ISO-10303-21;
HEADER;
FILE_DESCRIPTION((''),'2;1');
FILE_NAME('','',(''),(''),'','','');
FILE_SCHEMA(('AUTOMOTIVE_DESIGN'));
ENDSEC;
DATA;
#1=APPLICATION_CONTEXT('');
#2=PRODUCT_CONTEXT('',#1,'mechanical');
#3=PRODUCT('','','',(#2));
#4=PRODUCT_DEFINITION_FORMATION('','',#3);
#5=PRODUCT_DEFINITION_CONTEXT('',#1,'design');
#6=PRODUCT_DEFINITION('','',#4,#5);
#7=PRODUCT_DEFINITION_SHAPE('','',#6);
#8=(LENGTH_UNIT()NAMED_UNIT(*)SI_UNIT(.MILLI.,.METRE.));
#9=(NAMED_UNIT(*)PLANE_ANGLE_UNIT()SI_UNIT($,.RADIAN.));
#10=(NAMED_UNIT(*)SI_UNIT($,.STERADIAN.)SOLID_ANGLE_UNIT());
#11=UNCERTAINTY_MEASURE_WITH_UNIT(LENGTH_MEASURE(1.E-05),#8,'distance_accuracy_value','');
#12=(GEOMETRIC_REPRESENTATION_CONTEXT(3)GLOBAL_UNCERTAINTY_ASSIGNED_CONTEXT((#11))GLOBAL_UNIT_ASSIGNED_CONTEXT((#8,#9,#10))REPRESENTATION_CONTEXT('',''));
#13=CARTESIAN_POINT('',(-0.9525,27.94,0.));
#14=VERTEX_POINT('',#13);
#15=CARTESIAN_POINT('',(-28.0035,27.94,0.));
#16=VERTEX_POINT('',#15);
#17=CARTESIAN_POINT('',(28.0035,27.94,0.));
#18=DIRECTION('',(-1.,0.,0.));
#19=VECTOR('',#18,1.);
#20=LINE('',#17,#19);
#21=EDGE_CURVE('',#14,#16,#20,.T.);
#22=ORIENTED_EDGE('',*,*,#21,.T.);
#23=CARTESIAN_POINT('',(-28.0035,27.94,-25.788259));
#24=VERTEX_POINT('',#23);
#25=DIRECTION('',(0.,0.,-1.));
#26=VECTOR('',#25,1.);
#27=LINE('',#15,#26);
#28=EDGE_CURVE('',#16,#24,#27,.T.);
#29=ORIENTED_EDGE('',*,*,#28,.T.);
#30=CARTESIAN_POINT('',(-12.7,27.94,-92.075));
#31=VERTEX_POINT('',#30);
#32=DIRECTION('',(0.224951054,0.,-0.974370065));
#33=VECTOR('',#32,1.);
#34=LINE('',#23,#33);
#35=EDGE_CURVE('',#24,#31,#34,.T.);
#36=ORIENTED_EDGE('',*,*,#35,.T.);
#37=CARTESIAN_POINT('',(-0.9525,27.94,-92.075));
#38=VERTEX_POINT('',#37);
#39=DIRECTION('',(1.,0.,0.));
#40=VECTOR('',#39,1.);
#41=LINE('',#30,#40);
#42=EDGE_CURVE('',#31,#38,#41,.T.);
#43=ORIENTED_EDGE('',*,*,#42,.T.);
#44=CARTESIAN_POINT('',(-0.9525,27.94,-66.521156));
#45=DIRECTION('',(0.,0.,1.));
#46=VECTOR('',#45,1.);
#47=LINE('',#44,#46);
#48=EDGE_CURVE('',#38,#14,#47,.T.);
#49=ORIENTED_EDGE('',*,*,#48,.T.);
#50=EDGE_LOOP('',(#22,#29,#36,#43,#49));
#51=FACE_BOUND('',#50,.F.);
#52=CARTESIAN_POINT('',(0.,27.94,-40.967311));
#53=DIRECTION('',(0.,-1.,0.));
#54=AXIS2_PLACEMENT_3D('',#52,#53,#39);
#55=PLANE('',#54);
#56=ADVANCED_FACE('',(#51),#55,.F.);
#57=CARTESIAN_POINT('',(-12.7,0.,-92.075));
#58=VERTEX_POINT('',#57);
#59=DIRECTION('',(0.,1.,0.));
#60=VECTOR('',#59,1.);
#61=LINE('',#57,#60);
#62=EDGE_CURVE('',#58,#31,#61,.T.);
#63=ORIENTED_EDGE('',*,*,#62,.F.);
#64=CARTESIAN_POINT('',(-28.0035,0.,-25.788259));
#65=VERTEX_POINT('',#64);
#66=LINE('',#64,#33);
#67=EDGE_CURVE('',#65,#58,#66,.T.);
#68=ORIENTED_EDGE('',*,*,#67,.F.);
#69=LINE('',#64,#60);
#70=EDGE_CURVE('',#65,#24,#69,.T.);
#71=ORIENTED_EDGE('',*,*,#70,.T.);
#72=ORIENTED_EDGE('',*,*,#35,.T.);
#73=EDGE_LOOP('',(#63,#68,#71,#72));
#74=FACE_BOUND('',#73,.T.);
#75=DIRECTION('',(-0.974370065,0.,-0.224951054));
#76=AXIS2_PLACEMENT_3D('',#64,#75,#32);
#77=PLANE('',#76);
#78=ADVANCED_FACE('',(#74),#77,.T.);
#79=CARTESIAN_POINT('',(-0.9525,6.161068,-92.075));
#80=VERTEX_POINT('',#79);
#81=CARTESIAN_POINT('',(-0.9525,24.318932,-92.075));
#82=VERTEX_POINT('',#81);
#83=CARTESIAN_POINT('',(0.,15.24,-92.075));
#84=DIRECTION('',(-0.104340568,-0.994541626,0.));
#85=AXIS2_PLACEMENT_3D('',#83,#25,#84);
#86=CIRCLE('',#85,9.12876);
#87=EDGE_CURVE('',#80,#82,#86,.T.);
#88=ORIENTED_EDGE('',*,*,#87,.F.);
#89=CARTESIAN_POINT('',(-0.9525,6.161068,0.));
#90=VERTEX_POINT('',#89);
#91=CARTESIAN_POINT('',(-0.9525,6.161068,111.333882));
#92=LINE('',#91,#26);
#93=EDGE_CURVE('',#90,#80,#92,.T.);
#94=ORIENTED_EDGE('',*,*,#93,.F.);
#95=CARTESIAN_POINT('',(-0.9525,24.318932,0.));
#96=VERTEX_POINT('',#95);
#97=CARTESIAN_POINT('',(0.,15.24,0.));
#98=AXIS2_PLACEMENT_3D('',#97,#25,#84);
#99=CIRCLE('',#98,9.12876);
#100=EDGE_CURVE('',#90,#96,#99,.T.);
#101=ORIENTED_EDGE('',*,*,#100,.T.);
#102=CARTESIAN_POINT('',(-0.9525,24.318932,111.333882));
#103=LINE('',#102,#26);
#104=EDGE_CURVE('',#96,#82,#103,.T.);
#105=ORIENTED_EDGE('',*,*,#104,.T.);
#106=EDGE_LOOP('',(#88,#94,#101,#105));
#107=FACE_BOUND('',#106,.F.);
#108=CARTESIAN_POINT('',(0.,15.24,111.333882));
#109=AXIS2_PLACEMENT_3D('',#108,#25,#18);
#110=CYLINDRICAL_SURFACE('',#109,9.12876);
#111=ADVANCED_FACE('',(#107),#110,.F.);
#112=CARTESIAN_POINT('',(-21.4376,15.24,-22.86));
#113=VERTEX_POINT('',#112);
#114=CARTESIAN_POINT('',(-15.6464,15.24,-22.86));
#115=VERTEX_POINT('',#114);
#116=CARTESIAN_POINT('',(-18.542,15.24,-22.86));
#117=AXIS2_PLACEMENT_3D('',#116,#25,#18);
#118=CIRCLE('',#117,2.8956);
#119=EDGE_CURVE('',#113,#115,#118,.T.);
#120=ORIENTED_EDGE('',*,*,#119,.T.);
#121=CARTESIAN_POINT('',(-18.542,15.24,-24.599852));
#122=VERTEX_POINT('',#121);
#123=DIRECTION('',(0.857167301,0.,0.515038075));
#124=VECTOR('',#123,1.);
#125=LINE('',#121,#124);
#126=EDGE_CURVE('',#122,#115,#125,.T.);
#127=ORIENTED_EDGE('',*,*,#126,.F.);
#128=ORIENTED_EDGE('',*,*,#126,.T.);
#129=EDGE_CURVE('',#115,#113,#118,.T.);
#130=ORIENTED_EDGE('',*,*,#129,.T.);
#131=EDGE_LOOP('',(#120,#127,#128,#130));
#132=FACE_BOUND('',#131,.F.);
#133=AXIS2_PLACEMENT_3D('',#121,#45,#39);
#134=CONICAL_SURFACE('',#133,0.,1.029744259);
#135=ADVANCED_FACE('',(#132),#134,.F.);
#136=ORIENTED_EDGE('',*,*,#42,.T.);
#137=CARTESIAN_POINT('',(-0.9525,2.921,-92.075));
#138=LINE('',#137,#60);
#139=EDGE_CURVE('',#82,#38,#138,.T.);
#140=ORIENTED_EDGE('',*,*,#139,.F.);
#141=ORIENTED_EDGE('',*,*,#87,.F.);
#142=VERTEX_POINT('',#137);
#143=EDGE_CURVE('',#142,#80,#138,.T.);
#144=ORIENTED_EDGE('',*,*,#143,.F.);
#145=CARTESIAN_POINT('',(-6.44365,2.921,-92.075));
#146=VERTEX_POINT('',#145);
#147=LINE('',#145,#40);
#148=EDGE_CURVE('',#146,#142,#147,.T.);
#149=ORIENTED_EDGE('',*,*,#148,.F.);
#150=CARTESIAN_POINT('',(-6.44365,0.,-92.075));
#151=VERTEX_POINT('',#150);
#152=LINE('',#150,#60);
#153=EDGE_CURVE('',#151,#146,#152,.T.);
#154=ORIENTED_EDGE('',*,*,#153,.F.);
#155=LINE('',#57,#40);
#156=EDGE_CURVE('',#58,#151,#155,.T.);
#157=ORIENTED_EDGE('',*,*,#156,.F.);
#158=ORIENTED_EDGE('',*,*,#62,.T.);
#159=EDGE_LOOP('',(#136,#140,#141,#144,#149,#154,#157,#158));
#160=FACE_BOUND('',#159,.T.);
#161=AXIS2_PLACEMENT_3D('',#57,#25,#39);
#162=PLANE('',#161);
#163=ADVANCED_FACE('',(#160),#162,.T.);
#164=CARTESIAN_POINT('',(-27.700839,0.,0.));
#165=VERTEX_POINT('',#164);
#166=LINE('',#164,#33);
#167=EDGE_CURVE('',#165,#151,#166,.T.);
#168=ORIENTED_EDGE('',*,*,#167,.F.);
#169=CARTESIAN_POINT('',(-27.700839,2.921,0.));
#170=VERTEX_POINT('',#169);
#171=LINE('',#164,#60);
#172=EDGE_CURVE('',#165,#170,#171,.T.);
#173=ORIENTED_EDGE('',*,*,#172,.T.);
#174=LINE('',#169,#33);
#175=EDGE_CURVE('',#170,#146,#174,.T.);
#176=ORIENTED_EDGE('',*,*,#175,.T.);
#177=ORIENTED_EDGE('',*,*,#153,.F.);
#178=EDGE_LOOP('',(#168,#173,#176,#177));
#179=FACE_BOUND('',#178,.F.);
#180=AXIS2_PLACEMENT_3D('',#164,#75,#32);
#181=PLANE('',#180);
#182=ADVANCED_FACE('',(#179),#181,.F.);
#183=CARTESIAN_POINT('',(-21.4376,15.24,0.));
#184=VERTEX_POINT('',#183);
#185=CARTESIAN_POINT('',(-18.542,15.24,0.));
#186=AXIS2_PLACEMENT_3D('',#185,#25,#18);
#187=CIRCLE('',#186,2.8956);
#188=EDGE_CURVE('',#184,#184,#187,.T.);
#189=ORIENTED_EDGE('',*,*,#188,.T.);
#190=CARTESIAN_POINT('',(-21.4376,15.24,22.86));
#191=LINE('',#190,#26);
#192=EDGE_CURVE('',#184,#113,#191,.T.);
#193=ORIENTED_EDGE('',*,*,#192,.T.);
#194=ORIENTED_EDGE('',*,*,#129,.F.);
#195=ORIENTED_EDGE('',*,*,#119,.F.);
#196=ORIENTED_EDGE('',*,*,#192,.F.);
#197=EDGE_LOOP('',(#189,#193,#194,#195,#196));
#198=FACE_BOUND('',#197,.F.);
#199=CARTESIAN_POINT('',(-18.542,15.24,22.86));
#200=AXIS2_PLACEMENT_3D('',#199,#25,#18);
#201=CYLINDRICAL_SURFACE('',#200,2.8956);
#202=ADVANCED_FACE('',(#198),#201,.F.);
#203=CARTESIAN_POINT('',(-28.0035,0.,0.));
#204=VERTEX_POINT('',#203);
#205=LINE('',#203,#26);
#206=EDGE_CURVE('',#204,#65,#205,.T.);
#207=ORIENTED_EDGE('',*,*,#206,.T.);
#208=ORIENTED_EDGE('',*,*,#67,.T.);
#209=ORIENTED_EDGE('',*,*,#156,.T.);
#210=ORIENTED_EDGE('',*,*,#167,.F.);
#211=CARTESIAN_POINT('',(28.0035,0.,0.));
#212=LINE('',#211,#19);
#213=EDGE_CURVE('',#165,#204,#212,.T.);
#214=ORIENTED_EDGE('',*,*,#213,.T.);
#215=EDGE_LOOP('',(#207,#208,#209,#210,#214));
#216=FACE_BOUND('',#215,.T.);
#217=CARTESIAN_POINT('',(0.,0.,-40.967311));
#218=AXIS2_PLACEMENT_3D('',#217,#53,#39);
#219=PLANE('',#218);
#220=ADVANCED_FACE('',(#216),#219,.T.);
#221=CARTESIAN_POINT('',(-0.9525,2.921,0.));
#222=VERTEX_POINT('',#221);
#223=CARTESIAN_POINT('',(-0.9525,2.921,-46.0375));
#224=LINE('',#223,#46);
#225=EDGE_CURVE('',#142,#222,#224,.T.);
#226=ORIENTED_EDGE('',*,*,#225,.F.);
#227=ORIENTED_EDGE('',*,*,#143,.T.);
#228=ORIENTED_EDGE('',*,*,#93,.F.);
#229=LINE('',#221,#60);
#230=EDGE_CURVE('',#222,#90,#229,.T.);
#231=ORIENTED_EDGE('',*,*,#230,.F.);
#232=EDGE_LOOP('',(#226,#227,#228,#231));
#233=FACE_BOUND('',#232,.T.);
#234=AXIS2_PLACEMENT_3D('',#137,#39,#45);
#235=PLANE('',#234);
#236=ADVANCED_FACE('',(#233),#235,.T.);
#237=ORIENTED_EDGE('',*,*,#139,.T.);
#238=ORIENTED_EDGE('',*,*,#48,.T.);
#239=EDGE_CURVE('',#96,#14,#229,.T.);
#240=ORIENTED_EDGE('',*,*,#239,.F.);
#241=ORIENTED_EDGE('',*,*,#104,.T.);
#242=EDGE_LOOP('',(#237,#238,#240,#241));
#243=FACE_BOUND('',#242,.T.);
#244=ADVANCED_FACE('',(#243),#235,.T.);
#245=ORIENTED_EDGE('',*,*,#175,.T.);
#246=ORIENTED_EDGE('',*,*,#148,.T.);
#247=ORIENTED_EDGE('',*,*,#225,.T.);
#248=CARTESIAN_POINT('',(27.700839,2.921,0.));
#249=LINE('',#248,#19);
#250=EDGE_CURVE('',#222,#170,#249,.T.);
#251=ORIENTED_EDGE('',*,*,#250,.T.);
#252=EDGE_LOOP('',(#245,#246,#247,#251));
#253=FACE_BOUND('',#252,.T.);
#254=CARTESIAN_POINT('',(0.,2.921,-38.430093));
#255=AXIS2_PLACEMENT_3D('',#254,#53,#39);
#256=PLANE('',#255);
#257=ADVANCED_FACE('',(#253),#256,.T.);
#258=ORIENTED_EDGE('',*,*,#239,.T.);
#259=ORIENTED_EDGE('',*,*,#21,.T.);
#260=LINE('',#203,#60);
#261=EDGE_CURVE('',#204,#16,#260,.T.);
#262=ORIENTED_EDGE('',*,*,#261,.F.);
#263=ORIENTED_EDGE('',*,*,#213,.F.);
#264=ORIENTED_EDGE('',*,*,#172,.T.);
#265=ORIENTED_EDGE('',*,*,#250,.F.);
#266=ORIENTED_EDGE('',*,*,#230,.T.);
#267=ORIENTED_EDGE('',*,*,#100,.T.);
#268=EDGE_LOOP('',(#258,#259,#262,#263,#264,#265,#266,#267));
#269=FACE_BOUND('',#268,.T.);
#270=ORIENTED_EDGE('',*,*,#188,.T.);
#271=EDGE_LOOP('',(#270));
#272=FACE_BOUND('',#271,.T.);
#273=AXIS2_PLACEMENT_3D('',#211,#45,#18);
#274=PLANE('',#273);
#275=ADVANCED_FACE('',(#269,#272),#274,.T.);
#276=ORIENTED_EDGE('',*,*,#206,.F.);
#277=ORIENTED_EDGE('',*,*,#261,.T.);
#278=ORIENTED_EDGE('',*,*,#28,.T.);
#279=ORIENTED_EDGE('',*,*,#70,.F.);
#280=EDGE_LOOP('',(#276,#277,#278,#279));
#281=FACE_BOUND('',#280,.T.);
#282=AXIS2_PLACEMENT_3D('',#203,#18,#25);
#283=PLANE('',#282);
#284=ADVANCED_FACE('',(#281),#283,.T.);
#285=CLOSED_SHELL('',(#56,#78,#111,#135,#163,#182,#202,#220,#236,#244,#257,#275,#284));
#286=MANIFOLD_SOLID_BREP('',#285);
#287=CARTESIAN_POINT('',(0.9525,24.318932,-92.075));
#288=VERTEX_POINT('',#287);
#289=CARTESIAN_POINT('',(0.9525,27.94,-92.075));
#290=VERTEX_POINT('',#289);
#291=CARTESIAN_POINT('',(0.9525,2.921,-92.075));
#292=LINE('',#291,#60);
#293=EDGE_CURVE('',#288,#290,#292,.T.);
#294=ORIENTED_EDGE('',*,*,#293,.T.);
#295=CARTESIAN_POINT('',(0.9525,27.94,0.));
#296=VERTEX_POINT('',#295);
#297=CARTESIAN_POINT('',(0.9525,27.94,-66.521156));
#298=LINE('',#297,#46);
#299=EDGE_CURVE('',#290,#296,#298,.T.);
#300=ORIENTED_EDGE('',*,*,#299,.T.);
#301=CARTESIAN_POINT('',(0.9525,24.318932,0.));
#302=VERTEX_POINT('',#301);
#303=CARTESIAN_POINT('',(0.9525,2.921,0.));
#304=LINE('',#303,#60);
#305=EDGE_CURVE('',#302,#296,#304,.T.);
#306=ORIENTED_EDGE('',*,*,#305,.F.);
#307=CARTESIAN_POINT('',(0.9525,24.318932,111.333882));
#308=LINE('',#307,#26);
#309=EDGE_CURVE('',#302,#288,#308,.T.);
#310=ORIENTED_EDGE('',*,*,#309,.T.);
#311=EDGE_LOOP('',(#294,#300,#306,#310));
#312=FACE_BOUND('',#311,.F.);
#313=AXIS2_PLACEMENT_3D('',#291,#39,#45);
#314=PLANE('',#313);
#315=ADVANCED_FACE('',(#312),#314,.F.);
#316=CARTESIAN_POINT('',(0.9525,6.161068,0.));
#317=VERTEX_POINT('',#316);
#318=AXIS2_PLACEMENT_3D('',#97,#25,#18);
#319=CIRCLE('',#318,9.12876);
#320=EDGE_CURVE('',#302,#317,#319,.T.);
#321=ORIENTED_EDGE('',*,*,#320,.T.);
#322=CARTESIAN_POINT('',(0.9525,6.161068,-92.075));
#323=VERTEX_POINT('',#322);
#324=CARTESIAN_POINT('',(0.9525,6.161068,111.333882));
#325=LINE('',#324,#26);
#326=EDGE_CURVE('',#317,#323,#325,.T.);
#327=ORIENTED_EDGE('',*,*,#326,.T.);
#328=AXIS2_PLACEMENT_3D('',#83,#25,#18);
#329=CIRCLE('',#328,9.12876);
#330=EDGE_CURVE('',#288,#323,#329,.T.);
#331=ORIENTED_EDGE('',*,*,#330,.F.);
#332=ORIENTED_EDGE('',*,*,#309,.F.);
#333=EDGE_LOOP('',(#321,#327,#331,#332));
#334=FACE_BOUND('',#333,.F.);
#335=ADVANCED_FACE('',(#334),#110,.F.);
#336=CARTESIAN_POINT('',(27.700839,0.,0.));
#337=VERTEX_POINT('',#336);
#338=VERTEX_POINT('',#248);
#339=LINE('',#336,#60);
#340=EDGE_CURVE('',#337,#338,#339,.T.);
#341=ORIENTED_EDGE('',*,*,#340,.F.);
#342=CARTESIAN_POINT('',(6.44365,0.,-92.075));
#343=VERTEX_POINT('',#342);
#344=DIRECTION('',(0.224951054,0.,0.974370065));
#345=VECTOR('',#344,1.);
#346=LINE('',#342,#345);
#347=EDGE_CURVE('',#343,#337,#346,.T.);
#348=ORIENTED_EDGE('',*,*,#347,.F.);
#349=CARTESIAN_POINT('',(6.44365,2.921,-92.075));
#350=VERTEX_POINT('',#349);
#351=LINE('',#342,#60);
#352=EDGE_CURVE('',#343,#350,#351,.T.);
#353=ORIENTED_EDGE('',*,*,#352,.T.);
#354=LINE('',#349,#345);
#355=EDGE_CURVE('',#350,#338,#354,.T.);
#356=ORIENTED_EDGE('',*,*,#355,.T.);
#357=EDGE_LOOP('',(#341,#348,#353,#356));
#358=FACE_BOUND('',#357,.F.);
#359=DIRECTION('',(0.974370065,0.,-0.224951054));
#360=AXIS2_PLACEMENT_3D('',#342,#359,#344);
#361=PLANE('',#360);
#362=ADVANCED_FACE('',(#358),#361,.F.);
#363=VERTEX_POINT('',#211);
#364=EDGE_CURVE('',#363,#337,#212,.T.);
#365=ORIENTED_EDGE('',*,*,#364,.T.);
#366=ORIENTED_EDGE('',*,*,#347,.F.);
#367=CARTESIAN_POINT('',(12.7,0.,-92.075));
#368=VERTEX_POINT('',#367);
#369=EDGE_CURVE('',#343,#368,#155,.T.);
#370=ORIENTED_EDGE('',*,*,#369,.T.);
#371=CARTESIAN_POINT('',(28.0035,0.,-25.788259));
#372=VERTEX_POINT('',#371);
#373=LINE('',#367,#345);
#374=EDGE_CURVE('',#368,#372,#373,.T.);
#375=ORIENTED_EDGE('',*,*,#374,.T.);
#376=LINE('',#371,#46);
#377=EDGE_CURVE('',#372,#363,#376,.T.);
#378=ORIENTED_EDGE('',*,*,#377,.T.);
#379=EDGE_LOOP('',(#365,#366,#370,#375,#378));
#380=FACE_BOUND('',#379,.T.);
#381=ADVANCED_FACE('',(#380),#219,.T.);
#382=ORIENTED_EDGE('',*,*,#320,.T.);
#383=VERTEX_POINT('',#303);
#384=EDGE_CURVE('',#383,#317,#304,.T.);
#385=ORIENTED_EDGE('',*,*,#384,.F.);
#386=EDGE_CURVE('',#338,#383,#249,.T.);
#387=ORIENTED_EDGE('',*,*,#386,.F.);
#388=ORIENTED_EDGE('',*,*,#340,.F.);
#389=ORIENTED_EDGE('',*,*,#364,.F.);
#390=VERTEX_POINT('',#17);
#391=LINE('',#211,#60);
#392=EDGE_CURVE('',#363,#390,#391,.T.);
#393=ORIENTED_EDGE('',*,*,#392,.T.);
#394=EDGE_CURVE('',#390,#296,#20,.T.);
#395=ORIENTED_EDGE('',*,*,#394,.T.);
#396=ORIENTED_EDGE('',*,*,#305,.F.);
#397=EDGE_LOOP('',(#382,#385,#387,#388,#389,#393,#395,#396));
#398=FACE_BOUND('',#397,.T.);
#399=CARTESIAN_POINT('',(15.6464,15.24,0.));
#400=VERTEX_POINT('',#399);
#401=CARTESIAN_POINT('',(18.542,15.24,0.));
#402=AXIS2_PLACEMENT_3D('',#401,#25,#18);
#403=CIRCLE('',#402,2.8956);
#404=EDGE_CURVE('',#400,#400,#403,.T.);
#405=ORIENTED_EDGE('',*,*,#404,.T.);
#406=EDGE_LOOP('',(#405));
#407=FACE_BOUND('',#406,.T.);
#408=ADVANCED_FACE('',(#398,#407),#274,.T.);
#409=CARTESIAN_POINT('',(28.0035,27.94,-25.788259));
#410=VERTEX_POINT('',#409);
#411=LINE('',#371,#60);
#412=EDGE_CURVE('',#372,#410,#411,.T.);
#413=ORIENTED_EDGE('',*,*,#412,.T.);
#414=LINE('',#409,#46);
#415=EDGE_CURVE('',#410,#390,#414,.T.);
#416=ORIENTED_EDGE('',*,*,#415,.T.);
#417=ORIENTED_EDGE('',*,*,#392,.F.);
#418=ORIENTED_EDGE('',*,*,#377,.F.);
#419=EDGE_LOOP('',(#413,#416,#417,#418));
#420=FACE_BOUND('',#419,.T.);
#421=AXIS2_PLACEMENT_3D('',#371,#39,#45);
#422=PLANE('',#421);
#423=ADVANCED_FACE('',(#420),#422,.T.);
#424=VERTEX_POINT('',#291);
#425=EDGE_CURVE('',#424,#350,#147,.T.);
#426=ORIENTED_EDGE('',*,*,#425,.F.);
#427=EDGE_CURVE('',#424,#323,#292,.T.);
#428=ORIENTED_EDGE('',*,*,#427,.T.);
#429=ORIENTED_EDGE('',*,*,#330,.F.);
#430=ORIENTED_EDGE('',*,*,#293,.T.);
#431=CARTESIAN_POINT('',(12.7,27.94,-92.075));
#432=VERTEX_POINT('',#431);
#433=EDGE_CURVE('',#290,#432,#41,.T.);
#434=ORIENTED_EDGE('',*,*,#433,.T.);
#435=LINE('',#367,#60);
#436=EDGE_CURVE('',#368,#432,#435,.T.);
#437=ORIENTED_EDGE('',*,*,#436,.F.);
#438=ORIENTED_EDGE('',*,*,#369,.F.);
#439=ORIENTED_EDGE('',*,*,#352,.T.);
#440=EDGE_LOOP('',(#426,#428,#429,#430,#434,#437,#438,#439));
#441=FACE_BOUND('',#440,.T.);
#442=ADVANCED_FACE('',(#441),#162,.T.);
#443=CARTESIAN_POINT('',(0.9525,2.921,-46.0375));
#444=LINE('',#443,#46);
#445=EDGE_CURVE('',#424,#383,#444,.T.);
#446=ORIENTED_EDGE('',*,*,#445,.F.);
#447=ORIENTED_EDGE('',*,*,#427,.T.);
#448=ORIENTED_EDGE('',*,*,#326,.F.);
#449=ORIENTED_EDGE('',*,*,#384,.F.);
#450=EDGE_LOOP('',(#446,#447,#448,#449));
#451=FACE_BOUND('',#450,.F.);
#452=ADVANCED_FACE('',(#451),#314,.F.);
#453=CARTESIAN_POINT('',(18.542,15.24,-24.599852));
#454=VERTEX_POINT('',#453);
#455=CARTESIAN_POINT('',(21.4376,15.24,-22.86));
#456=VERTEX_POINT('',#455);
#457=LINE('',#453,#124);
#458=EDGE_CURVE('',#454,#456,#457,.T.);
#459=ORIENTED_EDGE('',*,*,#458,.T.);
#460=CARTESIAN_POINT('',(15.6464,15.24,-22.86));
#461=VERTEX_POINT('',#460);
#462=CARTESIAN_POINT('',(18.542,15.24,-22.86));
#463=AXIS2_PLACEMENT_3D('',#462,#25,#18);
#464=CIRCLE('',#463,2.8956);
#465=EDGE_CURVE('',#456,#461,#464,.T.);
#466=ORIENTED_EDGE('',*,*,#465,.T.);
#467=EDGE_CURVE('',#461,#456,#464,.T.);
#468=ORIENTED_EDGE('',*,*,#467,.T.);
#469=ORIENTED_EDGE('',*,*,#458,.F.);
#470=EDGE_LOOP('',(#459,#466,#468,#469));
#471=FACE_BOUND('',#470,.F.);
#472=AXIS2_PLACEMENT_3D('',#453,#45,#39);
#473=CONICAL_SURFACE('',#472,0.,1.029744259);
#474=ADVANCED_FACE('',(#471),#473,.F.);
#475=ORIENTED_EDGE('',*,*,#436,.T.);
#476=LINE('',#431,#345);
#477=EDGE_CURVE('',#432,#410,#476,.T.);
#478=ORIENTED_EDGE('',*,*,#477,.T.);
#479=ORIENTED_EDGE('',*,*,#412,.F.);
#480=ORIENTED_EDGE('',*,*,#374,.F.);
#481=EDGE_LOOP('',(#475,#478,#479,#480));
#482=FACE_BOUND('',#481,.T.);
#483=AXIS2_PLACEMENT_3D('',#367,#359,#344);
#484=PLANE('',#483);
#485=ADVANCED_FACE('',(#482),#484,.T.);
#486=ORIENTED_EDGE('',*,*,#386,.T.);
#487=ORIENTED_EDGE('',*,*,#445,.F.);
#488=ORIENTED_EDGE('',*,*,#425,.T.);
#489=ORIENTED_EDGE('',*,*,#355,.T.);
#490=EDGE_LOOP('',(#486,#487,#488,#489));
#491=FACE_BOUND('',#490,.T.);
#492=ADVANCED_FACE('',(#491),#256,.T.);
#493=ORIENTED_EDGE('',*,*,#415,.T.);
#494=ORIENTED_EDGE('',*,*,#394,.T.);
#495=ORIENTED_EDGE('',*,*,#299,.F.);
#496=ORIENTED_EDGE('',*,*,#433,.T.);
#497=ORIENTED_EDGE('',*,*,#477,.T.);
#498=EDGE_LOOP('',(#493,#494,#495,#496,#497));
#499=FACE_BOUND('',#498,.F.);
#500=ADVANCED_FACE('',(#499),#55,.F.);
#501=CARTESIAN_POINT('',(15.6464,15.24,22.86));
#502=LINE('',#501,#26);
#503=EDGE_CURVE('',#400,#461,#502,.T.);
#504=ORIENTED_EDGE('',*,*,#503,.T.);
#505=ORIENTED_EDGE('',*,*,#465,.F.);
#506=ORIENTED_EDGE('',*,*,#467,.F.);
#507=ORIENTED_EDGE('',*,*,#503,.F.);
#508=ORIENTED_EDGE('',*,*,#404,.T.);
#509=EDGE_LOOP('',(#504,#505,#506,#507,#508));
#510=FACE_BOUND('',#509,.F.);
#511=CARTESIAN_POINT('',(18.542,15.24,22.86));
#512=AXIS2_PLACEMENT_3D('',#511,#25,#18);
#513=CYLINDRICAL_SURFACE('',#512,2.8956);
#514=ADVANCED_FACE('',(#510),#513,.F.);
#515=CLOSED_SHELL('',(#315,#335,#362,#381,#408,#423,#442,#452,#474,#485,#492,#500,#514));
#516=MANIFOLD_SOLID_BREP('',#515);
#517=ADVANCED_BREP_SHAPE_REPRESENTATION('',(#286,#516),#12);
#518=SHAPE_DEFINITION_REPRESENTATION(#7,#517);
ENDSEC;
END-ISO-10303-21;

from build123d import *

# Parameters (mm, degrees)
F1_DEPTH = 27.94
F3_DEPTH = 2.921
F5_D     = 5.7912
F5_DEPTH = 22.86
F5_TIP   = 1.7398520085
F7_D     = 18.25752
F8_W     = 1.905
F8_H     = 92.075
F9_DEPTH = 25.02


with BuildPart() as f1:
    # F0 (on Front) → F1 (new body)
    with BuildSketch(Plane.XZ):
        Polygon((28.0035, 0), (-28.0035, 0), (-28.0035, -25.7882589579), (-12.7, -92.075), (12.7, -92.075), (28.0035, -25.7882589579), align=None)
    extrude(amount=-F1_DEPTH)

    # F2 (on face) → F3 (cut)
    with BuildSketch(Plane.XZ):
        Polygon((-27.7008388568, 0), (-6.4436501589, -92.075), (6.4436501589, -92.075), (27.7008388568, 0), align=None)
    extrude(amount=-F3_DEPTH, mode=Mode.SUBTRACT)

    # F5
    with Locations(Plane.XY):
        with Locations((-18.542, 15.24), (18.542, 15.24)):
            Hole(F5_D / 2, depth=F5_DEPTH)
            with Locations((0, 0, -(F5_DEPTH + F5_TIP / 2))):  # 118° drill point
                Cone(0, F5_D / 2, F5_TIP, mode=Mode.SUBTRACT)

    # F7 (through all)
    with Locations(Plane.XY):
        with Locations((0, 15.24)):
            Hole(F7_D / 2)

    # F8 (on face) → F9 (cut, through all)
    with BuildSketch(Plane.XZ.offset(-2.921)):
        with Locations((0, -46.0375)):
            Rectangle(F8_W, F8_H)
    extrude(amount=-F9_DEPTH, mode=Mode.SUBTRACT)


solid = f1.part
